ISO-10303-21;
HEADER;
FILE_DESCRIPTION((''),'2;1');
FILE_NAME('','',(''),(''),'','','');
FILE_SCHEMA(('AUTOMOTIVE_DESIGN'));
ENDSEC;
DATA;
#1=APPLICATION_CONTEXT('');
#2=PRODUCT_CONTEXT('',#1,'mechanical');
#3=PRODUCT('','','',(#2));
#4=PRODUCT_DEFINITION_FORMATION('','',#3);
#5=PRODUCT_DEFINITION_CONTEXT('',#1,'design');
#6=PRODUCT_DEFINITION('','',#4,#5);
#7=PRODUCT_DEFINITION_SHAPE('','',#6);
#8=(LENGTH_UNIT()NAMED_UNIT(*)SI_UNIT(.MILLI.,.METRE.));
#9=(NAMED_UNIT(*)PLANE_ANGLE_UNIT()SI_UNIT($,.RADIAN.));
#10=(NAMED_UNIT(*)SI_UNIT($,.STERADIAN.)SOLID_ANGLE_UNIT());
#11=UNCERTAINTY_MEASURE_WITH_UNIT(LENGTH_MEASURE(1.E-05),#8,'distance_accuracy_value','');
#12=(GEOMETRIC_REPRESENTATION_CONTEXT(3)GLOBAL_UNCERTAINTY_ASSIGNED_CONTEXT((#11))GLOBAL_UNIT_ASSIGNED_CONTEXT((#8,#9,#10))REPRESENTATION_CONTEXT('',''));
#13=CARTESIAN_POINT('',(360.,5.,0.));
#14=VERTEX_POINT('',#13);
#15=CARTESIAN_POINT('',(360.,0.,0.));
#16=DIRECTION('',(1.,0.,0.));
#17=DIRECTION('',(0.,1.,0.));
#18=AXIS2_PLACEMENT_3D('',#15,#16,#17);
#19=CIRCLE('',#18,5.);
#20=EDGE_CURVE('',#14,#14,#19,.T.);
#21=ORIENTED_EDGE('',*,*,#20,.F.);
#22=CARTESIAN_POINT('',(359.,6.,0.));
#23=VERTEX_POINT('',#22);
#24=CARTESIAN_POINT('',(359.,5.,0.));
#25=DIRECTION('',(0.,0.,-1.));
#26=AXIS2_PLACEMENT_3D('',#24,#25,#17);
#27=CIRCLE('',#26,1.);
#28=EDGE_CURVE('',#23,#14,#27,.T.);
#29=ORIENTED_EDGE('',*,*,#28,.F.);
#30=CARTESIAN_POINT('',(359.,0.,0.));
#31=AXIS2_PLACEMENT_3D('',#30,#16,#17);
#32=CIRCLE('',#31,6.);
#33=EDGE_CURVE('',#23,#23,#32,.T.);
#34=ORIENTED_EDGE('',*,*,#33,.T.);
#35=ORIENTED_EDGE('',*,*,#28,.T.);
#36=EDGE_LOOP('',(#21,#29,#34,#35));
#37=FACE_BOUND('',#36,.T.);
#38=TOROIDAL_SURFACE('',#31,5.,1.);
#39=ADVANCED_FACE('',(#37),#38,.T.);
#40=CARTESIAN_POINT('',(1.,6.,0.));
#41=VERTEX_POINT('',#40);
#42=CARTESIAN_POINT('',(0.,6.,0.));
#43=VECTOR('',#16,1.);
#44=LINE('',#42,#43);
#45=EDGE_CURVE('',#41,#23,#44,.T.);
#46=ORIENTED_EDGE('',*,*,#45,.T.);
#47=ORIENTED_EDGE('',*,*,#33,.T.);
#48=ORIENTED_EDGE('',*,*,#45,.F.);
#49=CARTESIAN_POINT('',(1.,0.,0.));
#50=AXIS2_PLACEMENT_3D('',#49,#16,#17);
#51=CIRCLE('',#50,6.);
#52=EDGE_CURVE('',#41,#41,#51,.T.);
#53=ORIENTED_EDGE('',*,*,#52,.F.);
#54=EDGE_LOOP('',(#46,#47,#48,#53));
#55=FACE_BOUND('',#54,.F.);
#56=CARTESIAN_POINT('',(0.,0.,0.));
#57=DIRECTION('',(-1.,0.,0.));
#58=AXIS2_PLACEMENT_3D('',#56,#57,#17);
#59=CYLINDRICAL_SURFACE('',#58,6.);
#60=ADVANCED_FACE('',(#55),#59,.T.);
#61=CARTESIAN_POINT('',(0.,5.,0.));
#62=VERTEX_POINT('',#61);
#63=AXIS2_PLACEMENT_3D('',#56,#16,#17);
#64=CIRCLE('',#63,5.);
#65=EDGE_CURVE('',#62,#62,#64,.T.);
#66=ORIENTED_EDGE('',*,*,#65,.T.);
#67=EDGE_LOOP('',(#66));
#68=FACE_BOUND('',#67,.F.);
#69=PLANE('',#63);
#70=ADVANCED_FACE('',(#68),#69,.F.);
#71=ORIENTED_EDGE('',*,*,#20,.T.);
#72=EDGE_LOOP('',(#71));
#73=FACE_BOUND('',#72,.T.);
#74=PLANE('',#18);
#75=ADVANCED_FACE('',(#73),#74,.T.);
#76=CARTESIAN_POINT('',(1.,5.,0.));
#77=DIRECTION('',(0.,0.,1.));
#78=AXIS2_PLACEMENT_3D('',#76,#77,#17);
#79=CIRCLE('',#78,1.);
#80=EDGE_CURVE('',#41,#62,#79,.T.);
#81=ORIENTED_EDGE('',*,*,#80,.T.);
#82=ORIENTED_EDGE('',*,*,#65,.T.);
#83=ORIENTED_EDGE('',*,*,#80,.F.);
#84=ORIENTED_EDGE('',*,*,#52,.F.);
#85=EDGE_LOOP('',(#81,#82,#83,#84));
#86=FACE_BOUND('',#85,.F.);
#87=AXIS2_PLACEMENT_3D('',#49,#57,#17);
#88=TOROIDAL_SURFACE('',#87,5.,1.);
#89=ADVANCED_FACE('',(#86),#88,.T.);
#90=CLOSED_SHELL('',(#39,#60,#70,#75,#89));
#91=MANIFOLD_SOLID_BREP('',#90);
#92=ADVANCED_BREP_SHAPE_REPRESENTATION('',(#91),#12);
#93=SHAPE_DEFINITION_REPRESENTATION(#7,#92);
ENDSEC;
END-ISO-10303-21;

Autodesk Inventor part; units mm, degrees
ref_plane "YZ Plane" through (0, 0, 0) normal (1, 0, 0) x (0, 1, 0)
ref_plane "XZ Plane" through (0, 0, 0) normal (0, 1, 0) x (-1, 0, 0)
ref_plane "XY Plane" through (0, 0, 0) normal (0, 0, 1) x (1, 0, 0)
sketch "Эскиз1" plane through (0, 0, 0) normal (1, 0, 0) x (0, 1, 0)
  circle A0 centre (0, 0) radius 6
  dimension "d0" = 12
extrude "Выдавливание1" add sketch "Эскиз1" along normal blind 360
fillet "Сопряжение1" radius 1 2 edges at (360, -6, 0) (0, -6, 0)
properties part number "вал 12мм"
